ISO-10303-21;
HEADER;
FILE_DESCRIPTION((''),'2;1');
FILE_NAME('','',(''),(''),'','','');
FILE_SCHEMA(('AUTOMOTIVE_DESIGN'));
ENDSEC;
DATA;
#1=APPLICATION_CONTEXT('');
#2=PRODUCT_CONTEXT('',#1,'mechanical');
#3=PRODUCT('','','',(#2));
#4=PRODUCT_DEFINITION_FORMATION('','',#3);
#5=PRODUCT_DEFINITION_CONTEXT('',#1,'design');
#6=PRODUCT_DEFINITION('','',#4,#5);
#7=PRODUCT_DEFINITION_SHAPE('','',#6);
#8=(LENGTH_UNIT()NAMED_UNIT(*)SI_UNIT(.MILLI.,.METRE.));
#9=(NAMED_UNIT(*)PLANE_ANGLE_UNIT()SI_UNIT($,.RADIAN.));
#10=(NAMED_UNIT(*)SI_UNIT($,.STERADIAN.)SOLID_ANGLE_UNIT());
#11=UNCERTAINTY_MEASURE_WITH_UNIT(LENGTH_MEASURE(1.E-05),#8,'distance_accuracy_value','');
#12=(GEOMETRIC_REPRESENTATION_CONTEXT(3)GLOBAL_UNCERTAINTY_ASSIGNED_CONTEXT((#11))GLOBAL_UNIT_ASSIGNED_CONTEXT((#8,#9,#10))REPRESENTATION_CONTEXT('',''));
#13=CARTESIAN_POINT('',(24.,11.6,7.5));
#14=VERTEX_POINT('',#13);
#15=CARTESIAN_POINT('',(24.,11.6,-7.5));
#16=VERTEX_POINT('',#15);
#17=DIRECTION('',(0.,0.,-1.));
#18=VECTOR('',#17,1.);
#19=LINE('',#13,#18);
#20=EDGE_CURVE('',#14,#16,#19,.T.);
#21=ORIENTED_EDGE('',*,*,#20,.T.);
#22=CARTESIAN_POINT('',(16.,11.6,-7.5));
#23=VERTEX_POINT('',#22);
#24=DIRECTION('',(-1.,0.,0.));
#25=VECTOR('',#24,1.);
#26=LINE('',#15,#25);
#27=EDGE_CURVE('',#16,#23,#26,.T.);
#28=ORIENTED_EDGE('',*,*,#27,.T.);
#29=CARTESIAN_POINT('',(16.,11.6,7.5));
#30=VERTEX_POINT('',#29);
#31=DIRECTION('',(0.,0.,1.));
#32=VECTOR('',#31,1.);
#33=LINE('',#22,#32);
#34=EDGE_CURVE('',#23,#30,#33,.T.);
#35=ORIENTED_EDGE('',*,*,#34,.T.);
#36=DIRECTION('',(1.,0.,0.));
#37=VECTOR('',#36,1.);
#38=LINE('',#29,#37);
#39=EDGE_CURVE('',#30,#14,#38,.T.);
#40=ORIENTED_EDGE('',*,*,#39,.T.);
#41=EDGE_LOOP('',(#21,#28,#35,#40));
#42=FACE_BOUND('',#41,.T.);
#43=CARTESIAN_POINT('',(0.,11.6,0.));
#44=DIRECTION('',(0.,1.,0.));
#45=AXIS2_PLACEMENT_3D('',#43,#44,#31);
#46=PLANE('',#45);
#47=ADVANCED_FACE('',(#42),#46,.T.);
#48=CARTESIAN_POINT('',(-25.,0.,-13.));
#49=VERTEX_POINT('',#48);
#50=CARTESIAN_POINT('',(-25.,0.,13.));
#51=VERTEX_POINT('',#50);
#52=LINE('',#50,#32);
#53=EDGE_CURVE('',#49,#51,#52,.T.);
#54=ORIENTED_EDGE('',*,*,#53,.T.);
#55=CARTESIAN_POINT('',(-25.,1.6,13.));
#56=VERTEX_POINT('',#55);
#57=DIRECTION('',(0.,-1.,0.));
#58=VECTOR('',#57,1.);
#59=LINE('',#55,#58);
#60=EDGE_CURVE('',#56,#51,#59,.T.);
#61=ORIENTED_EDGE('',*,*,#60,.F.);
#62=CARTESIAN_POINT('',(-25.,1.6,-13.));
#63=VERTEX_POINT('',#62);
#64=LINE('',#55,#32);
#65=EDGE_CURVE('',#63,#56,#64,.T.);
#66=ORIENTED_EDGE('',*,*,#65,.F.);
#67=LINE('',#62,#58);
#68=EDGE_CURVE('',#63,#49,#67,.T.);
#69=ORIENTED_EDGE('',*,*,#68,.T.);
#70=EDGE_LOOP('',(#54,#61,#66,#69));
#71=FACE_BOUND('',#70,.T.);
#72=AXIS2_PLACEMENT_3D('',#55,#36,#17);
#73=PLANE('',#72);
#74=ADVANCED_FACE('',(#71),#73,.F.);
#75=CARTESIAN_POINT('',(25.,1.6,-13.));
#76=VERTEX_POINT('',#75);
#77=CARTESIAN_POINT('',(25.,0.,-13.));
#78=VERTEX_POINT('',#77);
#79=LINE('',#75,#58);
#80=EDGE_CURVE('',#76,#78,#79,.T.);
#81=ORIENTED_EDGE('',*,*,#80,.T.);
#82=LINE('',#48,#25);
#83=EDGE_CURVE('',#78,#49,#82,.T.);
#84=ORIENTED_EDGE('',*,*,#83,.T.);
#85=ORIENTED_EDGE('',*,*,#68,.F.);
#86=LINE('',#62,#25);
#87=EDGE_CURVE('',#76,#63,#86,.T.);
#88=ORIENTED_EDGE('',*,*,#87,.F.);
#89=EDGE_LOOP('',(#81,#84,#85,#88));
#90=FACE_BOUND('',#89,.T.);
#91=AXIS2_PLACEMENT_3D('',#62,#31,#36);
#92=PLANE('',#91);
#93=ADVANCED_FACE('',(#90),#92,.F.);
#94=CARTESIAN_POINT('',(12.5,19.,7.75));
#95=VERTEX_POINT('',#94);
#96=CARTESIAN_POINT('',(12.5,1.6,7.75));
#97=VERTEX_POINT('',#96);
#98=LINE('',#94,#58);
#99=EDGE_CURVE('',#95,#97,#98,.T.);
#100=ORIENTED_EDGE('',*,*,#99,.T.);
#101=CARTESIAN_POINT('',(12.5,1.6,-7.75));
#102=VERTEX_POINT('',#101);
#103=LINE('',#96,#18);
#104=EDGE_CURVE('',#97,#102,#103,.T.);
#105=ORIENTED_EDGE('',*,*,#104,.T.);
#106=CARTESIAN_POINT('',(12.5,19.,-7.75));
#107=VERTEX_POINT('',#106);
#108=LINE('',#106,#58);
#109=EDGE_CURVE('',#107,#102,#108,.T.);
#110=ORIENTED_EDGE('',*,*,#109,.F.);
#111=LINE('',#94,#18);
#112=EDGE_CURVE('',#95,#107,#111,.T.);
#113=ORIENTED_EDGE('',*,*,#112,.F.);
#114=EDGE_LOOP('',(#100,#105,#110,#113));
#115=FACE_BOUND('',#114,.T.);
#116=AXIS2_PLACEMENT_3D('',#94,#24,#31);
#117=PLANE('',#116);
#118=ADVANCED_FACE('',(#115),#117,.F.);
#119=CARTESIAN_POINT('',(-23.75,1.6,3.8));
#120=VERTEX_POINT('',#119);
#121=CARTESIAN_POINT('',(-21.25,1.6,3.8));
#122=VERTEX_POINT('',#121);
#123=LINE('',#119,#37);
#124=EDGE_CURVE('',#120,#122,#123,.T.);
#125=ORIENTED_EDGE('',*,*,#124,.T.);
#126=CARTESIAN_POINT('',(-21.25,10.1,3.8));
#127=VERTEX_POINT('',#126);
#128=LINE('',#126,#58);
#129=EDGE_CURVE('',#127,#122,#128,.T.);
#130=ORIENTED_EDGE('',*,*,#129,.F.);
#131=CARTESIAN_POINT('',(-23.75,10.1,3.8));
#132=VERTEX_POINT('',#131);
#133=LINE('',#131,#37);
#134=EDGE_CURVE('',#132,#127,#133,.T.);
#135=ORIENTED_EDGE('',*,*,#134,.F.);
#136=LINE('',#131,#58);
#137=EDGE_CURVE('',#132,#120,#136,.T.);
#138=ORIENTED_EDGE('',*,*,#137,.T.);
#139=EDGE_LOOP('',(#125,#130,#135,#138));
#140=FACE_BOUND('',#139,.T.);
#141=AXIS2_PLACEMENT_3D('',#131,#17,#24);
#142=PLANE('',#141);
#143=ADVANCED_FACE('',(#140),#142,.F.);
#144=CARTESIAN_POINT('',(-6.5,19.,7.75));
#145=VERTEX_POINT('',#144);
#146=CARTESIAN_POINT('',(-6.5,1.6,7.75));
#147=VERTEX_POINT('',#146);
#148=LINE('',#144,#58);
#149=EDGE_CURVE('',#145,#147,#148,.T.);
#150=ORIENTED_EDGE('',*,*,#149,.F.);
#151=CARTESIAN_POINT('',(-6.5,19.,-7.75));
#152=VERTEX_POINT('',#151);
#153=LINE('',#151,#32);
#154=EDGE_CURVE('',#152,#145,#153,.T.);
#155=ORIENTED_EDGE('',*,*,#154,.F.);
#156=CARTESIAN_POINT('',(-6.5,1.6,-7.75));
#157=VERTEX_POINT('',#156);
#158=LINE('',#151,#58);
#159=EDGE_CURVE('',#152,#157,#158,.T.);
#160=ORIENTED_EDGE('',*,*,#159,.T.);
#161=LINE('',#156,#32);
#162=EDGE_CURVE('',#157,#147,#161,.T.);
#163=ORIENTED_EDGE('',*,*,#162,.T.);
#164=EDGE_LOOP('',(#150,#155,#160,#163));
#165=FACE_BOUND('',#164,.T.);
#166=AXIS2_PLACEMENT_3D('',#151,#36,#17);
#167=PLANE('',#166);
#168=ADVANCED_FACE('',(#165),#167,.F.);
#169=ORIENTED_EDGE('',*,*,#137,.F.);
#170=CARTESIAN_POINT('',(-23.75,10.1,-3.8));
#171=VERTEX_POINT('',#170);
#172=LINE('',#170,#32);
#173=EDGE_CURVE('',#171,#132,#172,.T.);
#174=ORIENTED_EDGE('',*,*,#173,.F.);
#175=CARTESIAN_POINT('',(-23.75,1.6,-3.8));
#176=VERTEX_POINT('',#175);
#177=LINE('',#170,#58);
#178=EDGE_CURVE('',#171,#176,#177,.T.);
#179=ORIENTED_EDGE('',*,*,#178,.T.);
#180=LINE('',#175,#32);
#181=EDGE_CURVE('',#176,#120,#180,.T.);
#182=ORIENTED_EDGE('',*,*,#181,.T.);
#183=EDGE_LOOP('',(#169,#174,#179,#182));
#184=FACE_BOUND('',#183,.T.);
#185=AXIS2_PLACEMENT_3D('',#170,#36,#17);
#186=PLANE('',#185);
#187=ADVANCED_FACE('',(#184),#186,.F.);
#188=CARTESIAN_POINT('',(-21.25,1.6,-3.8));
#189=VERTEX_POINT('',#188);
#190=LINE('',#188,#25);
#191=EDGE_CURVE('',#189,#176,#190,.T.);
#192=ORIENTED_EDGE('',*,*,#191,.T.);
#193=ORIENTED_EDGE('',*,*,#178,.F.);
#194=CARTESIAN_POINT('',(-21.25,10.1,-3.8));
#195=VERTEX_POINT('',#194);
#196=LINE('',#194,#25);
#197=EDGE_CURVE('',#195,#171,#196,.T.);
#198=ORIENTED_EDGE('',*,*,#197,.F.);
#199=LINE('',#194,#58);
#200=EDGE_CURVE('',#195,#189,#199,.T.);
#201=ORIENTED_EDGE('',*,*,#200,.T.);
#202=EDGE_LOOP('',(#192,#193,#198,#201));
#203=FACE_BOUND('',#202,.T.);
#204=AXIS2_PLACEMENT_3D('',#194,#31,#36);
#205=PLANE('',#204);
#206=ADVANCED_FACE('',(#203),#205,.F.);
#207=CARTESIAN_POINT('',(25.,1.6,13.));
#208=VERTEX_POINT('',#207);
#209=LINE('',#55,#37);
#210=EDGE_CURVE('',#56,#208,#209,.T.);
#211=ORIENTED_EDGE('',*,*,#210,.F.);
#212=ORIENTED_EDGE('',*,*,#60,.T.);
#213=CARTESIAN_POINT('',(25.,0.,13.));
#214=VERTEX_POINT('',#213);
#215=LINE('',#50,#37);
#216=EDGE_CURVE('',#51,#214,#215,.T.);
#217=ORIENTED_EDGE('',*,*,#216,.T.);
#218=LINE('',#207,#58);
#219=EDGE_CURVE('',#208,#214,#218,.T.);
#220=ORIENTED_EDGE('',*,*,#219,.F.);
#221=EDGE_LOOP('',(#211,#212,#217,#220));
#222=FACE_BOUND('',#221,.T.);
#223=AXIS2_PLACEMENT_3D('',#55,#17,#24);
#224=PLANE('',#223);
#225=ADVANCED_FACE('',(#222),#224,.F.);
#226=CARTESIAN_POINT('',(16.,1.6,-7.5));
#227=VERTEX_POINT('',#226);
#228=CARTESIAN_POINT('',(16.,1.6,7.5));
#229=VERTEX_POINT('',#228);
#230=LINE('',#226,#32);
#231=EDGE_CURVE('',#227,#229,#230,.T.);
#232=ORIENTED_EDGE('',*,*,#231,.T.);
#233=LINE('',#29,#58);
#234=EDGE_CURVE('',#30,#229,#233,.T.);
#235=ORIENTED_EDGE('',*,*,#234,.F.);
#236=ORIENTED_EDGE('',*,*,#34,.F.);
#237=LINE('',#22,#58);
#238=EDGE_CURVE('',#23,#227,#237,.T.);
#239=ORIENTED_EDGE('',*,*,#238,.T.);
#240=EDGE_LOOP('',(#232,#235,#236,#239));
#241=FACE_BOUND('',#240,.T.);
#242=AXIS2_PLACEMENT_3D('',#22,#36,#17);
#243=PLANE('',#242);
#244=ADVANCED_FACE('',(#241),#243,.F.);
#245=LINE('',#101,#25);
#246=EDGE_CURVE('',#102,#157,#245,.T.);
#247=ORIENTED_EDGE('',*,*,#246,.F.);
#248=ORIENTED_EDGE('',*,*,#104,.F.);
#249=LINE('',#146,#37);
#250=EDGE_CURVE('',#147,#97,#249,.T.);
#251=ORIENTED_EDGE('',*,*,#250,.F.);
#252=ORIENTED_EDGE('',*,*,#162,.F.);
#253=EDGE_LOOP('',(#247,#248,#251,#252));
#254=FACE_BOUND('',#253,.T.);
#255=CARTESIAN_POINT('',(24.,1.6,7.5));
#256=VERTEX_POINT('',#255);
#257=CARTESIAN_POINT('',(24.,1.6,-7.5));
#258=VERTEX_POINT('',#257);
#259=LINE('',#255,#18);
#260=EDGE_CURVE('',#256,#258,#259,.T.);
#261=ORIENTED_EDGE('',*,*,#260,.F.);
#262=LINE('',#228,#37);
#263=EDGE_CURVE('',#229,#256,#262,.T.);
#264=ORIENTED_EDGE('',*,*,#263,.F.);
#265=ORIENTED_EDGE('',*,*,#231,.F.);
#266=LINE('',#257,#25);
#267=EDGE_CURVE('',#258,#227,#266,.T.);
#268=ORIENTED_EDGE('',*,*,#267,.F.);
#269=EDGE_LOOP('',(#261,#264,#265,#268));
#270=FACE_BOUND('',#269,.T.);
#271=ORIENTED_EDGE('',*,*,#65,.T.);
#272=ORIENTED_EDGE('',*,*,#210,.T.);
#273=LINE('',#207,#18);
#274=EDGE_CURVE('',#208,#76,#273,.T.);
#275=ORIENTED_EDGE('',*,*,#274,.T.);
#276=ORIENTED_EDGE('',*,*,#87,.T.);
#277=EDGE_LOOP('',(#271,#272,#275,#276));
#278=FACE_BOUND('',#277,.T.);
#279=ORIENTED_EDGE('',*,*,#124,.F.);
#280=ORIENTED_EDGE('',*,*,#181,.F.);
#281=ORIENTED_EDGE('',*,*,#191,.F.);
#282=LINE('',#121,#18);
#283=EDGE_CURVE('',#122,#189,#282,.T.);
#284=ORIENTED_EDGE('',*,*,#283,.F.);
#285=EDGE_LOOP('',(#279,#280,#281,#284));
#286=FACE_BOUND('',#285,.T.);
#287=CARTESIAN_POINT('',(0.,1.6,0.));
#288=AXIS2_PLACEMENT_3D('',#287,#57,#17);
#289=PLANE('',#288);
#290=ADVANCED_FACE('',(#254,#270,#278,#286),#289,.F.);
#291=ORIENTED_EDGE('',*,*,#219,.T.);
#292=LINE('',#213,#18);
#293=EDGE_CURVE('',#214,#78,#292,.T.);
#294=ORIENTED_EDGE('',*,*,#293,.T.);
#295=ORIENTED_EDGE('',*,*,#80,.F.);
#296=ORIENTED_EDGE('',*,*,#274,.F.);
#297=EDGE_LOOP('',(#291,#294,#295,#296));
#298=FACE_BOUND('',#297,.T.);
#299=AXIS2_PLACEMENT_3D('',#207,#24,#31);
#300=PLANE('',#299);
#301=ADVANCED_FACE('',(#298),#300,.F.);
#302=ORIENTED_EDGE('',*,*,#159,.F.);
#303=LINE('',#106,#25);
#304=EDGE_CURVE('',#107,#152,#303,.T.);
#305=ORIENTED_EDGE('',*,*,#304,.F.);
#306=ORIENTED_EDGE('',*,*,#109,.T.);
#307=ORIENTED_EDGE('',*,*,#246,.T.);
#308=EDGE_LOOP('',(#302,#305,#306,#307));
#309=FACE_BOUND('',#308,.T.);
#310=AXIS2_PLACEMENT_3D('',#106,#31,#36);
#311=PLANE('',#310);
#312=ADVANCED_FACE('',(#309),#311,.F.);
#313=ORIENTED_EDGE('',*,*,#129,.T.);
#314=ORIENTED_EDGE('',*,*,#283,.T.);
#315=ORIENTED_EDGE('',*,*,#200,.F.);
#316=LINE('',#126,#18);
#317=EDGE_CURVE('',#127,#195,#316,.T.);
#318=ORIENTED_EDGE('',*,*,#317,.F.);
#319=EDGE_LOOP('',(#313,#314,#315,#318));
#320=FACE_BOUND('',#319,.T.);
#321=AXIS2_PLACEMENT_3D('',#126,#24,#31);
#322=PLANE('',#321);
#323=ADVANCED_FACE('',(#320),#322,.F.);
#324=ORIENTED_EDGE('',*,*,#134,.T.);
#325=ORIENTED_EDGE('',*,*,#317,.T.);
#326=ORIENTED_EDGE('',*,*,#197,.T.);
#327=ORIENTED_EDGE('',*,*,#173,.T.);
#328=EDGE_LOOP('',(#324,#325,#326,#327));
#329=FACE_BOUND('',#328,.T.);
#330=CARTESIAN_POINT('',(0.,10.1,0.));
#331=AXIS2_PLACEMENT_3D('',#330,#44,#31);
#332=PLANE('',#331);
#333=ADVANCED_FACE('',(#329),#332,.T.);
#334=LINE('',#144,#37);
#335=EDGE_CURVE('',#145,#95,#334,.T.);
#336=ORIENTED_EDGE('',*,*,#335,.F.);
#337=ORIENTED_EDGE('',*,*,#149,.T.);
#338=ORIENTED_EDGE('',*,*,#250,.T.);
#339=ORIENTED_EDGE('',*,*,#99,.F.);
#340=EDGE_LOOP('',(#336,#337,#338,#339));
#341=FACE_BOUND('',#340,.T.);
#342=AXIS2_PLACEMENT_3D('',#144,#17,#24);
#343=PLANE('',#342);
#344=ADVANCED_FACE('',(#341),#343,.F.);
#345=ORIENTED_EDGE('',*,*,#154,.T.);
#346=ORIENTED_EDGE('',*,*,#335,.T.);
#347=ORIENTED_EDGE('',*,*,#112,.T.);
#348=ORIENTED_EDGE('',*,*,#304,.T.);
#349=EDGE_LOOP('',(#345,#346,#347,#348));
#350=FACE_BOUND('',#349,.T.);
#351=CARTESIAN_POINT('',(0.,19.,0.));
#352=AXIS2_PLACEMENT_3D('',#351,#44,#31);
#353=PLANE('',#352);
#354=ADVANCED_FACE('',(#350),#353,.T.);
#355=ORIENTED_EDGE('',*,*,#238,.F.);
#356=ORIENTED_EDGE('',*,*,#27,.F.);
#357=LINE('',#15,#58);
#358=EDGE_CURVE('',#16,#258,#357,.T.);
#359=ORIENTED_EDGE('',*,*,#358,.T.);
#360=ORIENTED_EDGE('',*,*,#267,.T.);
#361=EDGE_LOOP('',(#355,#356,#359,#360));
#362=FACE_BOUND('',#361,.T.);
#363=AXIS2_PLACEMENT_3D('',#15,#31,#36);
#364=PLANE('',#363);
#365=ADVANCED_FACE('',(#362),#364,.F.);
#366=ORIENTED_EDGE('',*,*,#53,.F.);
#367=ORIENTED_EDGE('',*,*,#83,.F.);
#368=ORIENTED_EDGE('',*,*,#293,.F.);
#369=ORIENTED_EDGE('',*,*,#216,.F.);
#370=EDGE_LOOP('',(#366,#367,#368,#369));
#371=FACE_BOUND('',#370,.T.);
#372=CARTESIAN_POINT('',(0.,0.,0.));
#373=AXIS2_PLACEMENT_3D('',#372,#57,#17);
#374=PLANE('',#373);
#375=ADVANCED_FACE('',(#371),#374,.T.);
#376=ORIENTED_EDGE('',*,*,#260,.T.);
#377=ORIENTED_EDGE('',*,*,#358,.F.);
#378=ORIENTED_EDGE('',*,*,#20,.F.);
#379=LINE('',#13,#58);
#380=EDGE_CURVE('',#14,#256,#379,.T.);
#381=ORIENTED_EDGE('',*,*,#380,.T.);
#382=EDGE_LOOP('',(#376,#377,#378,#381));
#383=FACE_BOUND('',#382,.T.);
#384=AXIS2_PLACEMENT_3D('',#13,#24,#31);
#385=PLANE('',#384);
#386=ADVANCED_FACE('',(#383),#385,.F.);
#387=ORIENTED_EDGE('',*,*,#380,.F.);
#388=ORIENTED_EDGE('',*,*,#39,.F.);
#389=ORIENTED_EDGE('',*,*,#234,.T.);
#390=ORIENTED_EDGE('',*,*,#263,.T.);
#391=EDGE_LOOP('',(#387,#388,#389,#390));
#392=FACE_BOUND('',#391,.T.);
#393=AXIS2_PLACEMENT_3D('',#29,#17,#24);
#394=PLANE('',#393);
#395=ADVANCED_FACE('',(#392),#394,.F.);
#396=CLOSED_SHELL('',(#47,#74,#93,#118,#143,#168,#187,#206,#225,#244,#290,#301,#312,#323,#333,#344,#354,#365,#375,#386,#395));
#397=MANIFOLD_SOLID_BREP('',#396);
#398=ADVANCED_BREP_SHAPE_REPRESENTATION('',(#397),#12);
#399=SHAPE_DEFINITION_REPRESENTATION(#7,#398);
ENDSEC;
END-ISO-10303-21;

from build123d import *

# Parameters (mm, degrees)
SKETCH1_W            = 50
SKETCH1_H            = 26
BOARD_DEPTH          = 1.6
RELAY_START          = 1.6
SKETCH2_W            = 19
SKETCH2_H            = 15.5
RELAY_DEPTH          = 17.4
TERMINAL_BLOCK_START = 1.6
SKETCH3_W            = 8
SKETCH3_H            = 15
TERMINAL_BLOCK_DEPTH = 10
HEADER_START         = 1.6
SKETCH4_W            = 2.5
SKETCH4_H            = 7.6
HEADER_DEPTH         = 8.5


with BuildPart() as part:
    # Sketch1 → Board (new body)
    with BuildSketch(Plane(origin=(0, 0, 0), x_dir=(1, 0, 0), z_dir=(0, 1, 0))):
        Rectangle(SKETCH1_W, SKETCH1_H)
    extrude(amount=BOARD_DEPTH)

    # Sketch2 → Relay (add)
    with BuildSketch(Plane(origin=(0, 0, 0), x_dir=(1, 0, 0), z_dir=(0, 1, 0)).offset(RELAY_START)):
        with Locations((3, 0)):
            Rectangle(SKETCH2_W, SKETCH2_H)
    extrude(amount=RELAY_DEPTH)

    # Sketch3 → Terminal_Block (add)
    with BuildSketch(Plane(origin=(0, 0, 0), x_dir=(1, 0, 0), z_dir=(0, 1, 0)).offset(TERMINAL_BLOCK_START)):
        with Locations((20, 0)):
            Rectangle(SKETCH3_W, SKETCH3_H)
    extrude(amount=TERMINAL_BLOCK_DEPTH)

    # Sketch4 → Header (add)
    with BuildSketch(Plane(origin=(0, 0, 0), x_dir=(1, 0, 0), z_dir=(0, 1, 0)).offset(HEADER_START)):
        with Locations((-22.5, 0)):
            Rectangle(SKETCH4_W, SKETCH4_H)
    extrude(amount=HEADER_DEPTH)


solid = part.part
